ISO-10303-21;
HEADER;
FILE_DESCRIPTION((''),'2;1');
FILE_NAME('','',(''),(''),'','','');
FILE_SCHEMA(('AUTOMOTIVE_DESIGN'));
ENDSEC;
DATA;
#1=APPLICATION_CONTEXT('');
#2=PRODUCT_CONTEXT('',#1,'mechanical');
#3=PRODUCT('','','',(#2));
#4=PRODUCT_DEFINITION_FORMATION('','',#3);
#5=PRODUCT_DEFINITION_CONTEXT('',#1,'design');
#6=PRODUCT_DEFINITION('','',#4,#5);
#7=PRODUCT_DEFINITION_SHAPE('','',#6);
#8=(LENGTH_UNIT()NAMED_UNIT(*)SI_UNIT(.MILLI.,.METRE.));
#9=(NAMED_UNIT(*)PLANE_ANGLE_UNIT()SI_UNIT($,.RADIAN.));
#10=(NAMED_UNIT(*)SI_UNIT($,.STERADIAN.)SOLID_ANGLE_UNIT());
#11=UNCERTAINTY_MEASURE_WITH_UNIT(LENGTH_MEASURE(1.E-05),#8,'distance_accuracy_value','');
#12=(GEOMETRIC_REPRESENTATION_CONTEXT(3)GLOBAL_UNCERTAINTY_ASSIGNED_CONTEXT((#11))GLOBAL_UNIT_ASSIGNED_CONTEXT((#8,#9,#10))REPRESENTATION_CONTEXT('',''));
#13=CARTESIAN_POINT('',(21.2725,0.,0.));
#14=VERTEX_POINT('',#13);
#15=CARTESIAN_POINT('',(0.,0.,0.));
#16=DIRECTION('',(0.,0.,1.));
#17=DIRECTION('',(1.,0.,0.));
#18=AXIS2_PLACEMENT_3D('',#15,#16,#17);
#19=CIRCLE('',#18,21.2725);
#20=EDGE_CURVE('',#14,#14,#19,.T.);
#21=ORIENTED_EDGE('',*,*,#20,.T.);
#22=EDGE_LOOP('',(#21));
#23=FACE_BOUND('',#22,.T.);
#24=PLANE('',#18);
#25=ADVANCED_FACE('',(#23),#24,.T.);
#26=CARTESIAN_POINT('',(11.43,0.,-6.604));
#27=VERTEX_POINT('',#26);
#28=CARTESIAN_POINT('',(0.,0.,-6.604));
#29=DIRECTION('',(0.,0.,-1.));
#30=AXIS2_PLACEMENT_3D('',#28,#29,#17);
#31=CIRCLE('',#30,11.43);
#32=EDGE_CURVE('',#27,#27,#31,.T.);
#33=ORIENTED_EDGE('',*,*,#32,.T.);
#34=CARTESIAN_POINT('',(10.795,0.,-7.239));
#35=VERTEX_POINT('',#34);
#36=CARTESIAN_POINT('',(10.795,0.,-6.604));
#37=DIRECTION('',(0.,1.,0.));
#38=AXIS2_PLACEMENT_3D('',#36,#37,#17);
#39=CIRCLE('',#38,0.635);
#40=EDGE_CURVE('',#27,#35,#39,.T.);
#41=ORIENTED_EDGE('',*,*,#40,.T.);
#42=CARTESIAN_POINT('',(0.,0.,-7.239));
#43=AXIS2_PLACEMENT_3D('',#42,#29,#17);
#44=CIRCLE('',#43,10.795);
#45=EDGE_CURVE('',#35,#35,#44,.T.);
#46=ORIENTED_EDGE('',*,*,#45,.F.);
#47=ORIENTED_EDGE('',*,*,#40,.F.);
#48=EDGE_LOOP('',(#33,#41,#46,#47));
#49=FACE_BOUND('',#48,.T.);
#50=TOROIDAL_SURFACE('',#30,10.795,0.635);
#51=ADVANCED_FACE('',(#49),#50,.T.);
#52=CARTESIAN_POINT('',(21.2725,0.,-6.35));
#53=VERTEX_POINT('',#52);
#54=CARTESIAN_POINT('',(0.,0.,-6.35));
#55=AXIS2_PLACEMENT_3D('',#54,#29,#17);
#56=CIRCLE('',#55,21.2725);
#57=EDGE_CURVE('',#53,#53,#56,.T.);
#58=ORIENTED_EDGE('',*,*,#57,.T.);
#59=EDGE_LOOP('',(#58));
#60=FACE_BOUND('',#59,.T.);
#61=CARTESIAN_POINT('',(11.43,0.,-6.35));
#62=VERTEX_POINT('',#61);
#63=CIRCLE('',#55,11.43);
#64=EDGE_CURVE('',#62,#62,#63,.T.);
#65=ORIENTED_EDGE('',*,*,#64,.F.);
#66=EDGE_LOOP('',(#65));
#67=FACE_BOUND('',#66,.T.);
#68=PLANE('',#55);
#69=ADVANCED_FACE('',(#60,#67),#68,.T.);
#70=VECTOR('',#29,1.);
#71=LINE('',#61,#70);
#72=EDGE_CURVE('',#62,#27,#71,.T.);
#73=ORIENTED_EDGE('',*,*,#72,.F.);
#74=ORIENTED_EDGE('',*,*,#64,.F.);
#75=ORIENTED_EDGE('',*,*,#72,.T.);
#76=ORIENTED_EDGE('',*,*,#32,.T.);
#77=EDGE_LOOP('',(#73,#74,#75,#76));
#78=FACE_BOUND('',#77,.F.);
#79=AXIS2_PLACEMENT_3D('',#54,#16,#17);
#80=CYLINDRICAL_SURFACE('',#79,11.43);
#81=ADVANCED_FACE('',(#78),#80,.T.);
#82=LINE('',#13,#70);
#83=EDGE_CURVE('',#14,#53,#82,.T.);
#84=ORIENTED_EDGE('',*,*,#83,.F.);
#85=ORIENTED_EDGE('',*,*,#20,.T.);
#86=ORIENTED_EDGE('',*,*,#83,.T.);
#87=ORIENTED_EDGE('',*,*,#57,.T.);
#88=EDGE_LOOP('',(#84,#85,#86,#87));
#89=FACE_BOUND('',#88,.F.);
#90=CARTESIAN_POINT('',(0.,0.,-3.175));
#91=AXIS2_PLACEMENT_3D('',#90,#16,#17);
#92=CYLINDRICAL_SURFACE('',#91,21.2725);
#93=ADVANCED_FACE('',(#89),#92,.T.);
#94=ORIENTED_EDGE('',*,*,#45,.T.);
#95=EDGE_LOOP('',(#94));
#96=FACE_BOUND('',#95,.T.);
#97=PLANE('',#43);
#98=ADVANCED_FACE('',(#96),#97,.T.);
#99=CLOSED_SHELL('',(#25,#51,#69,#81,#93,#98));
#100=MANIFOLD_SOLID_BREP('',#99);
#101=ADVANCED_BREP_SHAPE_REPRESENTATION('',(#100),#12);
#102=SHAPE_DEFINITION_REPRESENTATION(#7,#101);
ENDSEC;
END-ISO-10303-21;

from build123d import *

# Parameters (mm, degrees)
F0_R     = 21.2725
F1_DEPTH = 3.175
F2_R     = 21.2725
F3_DEPTH = 3.175
F4_R     = 11.43
F5_DEPTH = 0.889
F6_R     = 0.635


with BuildPart() as f1:
    # F0 (on Top) → F1 (new body)
    with BuildSketch(Plane.XY):
        Circle(F0_R)
    extrude(amount=-F1_DEPTH)

    # F2 (on face) → F3 (join)
    with BuildSketch(Plane(origin=(0, 0, -3.175), x_dir=(1, 0, 0), z_dir=(0, 0, -1))):
        Circle(F2_R)
    extrude(amount=F3_DEPTH)

    # F4 (on face) → F5 (join)
    with BuildSketch(Plane(origin=(0, 0, -6.35), x_dir=(1, 0, 0), z_dir=(0, 0, -1))):
        Circle(F4_R)
    extrude(amount=F5_DEPTH)

    # F6
    f6_edges = [f1.edges().sort_by_distance(p)[0] for p in [
        (-11.43, 0, -7.239),
    ]]
    fillet(f6_edges, radius=F6_R)


solid = f1.part
